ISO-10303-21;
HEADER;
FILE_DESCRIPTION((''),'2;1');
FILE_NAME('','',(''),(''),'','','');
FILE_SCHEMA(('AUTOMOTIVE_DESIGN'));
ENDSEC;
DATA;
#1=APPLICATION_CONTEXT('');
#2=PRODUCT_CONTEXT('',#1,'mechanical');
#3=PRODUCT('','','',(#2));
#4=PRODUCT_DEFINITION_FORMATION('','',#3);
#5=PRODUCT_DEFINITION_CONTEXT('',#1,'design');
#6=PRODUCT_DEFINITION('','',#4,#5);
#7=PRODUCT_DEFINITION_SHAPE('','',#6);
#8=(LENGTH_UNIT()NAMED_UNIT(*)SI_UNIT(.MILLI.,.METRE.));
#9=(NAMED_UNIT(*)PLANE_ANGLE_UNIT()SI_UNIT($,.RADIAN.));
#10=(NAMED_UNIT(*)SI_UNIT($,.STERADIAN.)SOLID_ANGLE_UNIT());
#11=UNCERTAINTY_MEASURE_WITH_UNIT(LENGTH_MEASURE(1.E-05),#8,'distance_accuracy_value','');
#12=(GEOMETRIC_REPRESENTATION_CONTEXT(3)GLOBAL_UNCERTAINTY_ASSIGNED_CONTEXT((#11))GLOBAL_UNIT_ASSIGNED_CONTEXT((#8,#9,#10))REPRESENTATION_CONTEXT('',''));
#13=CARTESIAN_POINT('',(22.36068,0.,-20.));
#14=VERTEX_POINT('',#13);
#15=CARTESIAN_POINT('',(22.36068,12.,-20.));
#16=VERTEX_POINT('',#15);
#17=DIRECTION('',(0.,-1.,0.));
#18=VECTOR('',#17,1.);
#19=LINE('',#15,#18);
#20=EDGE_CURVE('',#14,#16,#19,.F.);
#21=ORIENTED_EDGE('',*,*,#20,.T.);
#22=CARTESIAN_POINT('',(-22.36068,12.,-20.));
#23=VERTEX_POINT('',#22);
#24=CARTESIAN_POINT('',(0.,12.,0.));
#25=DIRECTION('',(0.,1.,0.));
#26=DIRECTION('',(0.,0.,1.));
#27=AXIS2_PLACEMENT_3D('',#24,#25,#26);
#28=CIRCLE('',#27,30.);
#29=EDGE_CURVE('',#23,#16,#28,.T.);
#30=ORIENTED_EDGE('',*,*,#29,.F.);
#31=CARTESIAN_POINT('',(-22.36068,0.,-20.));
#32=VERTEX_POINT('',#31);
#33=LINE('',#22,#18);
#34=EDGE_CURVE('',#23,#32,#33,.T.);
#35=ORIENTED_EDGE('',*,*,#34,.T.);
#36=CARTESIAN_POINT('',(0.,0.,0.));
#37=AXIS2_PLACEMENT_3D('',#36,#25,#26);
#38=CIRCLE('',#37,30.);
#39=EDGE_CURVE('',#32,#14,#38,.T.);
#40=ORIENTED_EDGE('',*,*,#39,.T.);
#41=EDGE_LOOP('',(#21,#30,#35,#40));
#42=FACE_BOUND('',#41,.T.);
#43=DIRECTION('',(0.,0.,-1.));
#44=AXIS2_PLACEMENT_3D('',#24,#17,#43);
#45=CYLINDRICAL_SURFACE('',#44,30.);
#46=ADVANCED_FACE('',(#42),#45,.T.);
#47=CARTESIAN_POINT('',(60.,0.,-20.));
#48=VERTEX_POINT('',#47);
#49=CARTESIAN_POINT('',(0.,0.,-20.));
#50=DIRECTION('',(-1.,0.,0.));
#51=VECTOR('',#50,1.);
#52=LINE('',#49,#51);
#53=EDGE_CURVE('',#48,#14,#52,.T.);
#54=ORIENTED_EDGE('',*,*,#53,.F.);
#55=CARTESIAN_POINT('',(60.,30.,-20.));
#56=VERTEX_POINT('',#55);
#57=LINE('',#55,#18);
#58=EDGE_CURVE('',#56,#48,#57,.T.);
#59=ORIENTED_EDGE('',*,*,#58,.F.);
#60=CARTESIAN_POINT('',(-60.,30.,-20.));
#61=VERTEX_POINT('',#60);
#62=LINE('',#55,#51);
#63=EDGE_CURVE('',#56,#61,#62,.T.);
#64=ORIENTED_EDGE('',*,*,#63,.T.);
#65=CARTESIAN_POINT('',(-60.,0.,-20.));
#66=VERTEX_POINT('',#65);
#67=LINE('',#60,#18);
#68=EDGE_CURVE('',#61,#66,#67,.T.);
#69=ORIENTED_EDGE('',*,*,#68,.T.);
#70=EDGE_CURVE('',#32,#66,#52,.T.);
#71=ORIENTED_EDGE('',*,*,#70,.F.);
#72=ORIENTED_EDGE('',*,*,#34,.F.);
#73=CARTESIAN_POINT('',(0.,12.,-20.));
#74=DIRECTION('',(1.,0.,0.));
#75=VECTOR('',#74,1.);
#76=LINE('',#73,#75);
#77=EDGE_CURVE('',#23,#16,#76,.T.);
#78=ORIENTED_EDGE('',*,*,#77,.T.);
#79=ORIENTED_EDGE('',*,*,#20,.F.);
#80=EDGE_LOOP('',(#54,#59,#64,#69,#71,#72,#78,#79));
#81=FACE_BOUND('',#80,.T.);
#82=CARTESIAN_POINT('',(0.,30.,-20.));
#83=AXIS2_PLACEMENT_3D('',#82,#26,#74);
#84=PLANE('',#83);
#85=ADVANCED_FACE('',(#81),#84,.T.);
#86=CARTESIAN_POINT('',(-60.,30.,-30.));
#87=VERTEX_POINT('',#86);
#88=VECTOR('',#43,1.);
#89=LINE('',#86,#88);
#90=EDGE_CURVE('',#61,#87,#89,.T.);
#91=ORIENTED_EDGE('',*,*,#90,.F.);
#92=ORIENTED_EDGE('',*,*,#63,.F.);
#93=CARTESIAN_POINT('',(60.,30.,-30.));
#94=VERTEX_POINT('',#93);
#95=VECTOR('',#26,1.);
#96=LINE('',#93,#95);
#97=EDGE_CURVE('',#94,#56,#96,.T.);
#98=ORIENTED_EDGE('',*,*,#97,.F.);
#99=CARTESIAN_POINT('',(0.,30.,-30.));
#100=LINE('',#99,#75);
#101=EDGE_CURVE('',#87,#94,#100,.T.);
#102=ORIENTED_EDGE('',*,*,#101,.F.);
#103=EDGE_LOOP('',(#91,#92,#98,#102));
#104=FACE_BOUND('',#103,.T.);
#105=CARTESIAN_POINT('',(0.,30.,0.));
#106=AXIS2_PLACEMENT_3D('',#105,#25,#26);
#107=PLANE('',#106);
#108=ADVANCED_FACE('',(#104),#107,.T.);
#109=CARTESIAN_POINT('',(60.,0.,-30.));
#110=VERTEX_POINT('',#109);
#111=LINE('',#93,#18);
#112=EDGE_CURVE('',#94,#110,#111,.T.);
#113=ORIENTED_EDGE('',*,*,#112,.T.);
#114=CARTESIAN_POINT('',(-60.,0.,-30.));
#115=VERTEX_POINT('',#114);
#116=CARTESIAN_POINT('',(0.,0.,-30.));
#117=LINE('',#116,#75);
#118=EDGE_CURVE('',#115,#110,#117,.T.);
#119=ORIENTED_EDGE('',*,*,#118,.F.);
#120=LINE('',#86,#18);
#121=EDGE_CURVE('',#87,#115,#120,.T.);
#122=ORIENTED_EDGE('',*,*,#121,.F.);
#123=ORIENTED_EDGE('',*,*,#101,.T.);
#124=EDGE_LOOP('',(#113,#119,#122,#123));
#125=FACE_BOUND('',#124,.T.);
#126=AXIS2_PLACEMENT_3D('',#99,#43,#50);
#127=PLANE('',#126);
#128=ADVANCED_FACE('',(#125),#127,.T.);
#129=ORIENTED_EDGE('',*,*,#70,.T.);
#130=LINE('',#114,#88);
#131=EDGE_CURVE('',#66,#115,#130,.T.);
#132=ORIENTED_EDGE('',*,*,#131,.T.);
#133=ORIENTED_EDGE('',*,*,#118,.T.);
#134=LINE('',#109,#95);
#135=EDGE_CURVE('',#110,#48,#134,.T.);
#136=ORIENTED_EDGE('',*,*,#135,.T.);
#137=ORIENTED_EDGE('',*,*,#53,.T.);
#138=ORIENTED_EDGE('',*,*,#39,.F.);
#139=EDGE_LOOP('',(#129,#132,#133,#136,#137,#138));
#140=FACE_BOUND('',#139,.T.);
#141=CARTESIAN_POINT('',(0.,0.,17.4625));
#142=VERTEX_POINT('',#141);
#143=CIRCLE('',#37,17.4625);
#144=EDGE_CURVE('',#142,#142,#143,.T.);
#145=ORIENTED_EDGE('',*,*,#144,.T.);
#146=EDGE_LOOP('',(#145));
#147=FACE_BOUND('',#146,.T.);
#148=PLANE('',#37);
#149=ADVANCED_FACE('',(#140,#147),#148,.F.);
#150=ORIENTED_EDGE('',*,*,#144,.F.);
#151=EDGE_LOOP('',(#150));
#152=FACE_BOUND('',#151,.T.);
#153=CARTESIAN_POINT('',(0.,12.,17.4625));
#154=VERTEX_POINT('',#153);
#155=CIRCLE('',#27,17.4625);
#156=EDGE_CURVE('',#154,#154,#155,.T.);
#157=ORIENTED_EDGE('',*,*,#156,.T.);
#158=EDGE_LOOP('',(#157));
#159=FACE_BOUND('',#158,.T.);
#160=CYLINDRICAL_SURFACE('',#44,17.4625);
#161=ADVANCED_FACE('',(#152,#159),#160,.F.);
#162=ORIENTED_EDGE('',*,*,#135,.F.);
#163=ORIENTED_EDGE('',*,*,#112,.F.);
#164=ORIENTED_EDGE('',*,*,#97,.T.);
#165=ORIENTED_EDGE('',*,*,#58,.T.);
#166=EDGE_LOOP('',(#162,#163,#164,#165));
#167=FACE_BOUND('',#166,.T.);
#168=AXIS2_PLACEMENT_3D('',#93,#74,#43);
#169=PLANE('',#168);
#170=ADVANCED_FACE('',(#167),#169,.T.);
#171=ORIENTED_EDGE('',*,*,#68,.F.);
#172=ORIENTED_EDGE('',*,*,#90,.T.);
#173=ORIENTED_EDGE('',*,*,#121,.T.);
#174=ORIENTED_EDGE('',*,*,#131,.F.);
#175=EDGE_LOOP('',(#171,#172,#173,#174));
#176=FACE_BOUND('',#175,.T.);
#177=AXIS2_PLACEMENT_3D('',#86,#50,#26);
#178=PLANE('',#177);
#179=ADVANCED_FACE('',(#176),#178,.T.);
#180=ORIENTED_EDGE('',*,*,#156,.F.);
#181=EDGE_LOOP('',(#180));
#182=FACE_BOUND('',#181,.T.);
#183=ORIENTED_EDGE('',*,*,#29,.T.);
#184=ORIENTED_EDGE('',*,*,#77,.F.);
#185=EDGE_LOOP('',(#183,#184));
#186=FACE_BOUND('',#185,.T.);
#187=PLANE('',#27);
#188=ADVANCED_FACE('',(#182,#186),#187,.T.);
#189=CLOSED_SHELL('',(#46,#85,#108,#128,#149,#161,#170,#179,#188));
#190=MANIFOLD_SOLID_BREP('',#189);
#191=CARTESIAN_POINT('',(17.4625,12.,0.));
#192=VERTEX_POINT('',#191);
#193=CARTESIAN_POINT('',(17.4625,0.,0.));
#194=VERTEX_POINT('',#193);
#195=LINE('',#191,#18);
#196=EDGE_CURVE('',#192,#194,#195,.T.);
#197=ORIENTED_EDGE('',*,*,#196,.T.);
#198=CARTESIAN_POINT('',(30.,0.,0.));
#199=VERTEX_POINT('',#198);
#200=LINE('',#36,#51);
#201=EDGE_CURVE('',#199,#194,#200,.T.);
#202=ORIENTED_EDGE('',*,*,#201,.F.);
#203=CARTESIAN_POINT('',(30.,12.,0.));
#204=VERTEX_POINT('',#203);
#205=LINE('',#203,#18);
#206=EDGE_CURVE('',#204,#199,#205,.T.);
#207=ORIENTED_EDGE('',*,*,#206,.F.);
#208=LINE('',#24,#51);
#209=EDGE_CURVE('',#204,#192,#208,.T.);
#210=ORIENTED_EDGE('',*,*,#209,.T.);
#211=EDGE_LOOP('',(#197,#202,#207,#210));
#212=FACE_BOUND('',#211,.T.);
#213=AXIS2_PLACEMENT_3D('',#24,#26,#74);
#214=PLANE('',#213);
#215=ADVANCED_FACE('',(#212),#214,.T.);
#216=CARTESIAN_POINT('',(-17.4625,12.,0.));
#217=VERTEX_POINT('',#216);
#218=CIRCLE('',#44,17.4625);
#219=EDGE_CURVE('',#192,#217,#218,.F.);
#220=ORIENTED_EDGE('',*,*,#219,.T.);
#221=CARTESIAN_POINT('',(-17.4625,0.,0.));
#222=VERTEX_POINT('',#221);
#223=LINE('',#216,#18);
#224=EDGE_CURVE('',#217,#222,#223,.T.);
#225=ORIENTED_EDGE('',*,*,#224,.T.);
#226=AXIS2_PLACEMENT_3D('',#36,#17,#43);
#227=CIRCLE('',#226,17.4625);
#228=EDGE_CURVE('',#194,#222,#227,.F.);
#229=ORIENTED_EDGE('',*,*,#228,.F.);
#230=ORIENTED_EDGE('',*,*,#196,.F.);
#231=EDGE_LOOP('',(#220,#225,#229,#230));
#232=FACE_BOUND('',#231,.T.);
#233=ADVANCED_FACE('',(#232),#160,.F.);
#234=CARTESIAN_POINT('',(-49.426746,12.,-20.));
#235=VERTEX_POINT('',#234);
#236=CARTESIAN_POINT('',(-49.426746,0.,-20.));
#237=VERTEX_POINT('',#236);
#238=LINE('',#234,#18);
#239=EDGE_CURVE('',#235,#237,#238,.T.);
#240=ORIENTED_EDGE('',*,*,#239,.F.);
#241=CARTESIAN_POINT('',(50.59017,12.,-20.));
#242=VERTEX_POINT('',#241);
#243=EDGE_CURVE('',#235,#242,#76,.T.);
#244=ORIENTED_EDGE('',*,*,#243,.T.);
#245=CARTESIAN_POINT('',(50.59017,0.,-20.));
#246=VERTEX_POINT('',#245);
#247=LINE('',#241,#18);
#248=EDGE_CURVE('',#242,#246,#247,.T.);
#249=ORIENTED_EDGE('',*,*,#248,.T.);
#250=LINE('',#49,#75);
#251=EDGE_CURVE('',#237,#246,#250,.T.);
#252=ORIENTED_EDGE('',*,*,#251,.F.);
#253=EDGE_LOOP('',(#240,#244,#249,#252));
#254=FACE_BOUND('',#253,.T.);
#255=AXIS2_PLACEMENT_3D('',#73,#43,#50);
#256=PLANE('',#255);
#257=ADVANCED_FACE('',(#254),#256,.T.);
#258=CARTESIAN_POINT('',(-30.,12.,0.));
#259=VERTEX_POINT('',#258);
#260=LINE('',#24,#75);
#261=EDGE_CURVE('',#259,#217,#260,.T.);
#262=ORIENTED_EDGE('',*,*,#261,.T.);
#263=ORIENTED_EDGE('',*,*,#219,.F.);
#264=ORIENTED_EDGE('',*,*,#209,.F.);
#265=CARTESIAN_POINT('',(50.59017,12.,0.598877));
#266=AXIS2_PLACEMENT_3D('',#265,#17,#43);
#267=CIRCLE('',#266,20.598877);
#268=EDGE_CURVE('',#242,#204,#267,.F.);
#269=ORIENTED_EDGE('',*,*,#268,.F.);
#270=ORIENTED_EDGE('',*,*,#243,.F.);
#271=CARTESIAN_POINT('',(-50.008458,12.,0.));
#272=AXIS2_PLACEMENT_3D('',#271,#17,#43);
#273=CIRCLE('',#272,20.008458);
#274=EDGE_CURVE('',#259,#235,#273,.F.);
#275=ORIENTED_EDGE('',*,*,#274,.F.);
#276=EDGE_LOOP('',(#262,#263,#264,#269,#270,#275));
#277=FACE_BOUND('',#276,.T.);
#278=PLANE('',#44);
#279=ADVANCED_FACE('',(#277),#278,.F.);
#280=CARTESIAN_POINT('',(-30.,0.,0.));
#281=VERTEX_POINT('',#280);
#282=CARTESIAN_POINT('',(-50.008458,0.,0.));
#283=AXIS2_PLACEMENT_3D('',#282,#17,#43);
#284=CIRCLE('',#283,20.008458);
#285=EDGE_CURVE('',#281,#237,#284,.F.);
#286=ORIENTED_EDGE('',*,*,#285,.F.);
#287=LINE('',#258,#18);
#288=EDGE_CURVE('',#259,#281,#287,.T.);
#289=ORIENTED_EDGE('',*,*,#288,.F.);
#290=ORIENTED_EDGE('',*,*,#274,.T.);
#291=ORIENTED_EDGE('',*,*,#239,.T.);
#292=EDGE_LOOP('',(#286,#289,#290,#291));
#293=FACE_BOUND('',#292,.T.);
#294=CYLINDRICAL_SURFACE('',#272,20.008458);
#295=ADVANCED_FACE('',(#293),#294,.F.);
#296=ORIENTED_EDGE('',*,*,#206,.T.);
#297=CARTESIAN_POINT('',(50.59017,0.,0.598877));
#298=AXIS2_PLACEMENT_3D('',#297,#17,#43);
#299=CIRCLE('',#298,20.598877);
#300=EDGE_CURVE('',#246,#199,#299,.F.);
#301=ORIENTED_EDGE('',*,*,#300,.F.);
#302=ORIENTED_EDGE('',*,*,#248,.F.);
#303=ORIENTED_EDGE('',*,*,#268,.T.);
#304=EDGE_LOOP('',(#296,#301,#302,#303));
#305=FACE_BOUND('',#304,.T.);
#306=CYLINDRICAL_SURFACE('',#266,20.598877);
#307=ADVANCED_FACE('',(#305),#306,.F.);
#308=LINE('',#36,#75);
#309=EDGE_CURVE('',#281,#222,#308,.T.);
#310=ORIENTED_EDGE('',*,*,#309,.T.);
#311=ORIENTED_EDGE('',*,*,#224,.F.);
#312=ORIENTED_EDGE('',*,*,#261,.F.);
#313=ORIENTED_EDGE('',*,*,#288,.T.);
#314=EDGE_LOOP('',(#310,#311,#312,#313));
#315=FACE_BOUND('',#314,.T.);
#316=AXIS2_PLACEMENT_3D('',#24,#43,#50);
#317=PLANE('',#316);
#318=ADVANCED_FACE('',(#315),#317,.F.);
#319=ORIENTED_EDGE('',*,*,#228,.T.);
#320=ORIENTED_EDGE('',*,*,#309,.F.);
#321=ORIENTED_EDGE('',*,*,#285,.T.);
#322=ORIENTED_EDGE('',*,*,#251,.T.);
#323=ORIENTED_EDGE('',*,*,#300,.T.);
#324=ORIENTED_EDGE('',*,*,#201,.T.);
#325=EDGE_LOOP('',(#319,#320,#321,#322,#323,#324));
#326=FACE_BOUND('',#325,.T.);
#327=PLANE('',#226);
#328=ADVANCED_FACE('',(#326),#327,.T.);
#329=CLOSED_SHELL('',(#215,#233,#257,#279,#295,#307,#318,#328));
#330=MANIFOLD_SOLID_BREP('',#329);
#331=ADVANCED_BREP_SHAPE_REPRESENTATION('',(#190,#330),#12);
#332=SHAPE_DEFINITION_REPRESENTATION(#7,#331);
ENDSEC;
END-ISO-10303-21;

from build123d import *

# Parameters (mm, degrees)
SKETCH1_R           = 30
SKETCH1_R_2         = 17.4625
BOSS_EXTRUDE1_DEPTH = 12
BOSS_EXTRUDE2_DEPTH = 30
BOSS_EXTRUDE3_DEPTH = 12


with BuildPart() as part:
    # Sketch1 → Boss-Extrude1 (new body)
    with BuildSketch(Plane(origin=(0, 0, 0), x_dir=(1, 0, 0), z_dir=(0, 1, 0))):
        with Locations(Location((0, 0, 0), (0, 0, 270))):
            Circle(SKETCH1_R)
        with Locations(Location((0, 0, 0), (0, 0, 270))):
            Circle(SKETCH1_R_2, mode=Mode.SUBTRACT)
    extrude(amount=BOSS_EXTRUDE1_DEPTH)

    # Sketch5 → Boss-Extrude2 (add)
    with BuildSketch(Plane.XZ):
        Polygon((0, -30), (60, -30), (60, -20), (0, -20), (-60, -20), (-60, -30), align=None)
    extrude(amount=-BOSS_EXTRUDE2_DEPTH)


with BuildPart() as body_2:
    # Sketch6 → Boss-Extrude3 (new body)
    with BuildSketch(Plane.XZ):
        with BuildLine():
            ThreePointArc((-30, 0), (-28.025170769, -10.704662693), (-22.360679775, -20))
            Line((-22.360679775, -20), (22.360679775, -20))
            ThreePointArc((22.360679775, -20), (28.025170769, -10.704662693), (30, 0))
            Line((30, 0), (17.4625, 0))
            ThreePointArc((17.4625, 0), (0, -17.4625), (-17.4625, 0))
            Line((-17.4625, 0), (-30, 0))
        make_face()
        with BuildLine():
            ThreePointArc((30, 0), (28.025170769, -10.704662693), (22.360679775, -20))
            Line((22.360679775, -20), (50.590169944, -20))
            ThreePointArc((50.590169944, -20), (36.237860911, -14.176946646), (30, 0))
        make_face()
        with BuildLine():
            Line((-49.426745923, -20), (-22.360679775, -20))
            ThreePointArc((-22.360679775, -20), (-28.025170769, -10.704662693), (-30, 0))
            ThreePointArc((-30, 0), (-35.6561489, -13.940933049), (-49.426745923, -20))
        make_face()
    extrude(amount=-BOSS_EXTRUDE3_DEPTH)


solid = Compound([part.part, body_2.part])
